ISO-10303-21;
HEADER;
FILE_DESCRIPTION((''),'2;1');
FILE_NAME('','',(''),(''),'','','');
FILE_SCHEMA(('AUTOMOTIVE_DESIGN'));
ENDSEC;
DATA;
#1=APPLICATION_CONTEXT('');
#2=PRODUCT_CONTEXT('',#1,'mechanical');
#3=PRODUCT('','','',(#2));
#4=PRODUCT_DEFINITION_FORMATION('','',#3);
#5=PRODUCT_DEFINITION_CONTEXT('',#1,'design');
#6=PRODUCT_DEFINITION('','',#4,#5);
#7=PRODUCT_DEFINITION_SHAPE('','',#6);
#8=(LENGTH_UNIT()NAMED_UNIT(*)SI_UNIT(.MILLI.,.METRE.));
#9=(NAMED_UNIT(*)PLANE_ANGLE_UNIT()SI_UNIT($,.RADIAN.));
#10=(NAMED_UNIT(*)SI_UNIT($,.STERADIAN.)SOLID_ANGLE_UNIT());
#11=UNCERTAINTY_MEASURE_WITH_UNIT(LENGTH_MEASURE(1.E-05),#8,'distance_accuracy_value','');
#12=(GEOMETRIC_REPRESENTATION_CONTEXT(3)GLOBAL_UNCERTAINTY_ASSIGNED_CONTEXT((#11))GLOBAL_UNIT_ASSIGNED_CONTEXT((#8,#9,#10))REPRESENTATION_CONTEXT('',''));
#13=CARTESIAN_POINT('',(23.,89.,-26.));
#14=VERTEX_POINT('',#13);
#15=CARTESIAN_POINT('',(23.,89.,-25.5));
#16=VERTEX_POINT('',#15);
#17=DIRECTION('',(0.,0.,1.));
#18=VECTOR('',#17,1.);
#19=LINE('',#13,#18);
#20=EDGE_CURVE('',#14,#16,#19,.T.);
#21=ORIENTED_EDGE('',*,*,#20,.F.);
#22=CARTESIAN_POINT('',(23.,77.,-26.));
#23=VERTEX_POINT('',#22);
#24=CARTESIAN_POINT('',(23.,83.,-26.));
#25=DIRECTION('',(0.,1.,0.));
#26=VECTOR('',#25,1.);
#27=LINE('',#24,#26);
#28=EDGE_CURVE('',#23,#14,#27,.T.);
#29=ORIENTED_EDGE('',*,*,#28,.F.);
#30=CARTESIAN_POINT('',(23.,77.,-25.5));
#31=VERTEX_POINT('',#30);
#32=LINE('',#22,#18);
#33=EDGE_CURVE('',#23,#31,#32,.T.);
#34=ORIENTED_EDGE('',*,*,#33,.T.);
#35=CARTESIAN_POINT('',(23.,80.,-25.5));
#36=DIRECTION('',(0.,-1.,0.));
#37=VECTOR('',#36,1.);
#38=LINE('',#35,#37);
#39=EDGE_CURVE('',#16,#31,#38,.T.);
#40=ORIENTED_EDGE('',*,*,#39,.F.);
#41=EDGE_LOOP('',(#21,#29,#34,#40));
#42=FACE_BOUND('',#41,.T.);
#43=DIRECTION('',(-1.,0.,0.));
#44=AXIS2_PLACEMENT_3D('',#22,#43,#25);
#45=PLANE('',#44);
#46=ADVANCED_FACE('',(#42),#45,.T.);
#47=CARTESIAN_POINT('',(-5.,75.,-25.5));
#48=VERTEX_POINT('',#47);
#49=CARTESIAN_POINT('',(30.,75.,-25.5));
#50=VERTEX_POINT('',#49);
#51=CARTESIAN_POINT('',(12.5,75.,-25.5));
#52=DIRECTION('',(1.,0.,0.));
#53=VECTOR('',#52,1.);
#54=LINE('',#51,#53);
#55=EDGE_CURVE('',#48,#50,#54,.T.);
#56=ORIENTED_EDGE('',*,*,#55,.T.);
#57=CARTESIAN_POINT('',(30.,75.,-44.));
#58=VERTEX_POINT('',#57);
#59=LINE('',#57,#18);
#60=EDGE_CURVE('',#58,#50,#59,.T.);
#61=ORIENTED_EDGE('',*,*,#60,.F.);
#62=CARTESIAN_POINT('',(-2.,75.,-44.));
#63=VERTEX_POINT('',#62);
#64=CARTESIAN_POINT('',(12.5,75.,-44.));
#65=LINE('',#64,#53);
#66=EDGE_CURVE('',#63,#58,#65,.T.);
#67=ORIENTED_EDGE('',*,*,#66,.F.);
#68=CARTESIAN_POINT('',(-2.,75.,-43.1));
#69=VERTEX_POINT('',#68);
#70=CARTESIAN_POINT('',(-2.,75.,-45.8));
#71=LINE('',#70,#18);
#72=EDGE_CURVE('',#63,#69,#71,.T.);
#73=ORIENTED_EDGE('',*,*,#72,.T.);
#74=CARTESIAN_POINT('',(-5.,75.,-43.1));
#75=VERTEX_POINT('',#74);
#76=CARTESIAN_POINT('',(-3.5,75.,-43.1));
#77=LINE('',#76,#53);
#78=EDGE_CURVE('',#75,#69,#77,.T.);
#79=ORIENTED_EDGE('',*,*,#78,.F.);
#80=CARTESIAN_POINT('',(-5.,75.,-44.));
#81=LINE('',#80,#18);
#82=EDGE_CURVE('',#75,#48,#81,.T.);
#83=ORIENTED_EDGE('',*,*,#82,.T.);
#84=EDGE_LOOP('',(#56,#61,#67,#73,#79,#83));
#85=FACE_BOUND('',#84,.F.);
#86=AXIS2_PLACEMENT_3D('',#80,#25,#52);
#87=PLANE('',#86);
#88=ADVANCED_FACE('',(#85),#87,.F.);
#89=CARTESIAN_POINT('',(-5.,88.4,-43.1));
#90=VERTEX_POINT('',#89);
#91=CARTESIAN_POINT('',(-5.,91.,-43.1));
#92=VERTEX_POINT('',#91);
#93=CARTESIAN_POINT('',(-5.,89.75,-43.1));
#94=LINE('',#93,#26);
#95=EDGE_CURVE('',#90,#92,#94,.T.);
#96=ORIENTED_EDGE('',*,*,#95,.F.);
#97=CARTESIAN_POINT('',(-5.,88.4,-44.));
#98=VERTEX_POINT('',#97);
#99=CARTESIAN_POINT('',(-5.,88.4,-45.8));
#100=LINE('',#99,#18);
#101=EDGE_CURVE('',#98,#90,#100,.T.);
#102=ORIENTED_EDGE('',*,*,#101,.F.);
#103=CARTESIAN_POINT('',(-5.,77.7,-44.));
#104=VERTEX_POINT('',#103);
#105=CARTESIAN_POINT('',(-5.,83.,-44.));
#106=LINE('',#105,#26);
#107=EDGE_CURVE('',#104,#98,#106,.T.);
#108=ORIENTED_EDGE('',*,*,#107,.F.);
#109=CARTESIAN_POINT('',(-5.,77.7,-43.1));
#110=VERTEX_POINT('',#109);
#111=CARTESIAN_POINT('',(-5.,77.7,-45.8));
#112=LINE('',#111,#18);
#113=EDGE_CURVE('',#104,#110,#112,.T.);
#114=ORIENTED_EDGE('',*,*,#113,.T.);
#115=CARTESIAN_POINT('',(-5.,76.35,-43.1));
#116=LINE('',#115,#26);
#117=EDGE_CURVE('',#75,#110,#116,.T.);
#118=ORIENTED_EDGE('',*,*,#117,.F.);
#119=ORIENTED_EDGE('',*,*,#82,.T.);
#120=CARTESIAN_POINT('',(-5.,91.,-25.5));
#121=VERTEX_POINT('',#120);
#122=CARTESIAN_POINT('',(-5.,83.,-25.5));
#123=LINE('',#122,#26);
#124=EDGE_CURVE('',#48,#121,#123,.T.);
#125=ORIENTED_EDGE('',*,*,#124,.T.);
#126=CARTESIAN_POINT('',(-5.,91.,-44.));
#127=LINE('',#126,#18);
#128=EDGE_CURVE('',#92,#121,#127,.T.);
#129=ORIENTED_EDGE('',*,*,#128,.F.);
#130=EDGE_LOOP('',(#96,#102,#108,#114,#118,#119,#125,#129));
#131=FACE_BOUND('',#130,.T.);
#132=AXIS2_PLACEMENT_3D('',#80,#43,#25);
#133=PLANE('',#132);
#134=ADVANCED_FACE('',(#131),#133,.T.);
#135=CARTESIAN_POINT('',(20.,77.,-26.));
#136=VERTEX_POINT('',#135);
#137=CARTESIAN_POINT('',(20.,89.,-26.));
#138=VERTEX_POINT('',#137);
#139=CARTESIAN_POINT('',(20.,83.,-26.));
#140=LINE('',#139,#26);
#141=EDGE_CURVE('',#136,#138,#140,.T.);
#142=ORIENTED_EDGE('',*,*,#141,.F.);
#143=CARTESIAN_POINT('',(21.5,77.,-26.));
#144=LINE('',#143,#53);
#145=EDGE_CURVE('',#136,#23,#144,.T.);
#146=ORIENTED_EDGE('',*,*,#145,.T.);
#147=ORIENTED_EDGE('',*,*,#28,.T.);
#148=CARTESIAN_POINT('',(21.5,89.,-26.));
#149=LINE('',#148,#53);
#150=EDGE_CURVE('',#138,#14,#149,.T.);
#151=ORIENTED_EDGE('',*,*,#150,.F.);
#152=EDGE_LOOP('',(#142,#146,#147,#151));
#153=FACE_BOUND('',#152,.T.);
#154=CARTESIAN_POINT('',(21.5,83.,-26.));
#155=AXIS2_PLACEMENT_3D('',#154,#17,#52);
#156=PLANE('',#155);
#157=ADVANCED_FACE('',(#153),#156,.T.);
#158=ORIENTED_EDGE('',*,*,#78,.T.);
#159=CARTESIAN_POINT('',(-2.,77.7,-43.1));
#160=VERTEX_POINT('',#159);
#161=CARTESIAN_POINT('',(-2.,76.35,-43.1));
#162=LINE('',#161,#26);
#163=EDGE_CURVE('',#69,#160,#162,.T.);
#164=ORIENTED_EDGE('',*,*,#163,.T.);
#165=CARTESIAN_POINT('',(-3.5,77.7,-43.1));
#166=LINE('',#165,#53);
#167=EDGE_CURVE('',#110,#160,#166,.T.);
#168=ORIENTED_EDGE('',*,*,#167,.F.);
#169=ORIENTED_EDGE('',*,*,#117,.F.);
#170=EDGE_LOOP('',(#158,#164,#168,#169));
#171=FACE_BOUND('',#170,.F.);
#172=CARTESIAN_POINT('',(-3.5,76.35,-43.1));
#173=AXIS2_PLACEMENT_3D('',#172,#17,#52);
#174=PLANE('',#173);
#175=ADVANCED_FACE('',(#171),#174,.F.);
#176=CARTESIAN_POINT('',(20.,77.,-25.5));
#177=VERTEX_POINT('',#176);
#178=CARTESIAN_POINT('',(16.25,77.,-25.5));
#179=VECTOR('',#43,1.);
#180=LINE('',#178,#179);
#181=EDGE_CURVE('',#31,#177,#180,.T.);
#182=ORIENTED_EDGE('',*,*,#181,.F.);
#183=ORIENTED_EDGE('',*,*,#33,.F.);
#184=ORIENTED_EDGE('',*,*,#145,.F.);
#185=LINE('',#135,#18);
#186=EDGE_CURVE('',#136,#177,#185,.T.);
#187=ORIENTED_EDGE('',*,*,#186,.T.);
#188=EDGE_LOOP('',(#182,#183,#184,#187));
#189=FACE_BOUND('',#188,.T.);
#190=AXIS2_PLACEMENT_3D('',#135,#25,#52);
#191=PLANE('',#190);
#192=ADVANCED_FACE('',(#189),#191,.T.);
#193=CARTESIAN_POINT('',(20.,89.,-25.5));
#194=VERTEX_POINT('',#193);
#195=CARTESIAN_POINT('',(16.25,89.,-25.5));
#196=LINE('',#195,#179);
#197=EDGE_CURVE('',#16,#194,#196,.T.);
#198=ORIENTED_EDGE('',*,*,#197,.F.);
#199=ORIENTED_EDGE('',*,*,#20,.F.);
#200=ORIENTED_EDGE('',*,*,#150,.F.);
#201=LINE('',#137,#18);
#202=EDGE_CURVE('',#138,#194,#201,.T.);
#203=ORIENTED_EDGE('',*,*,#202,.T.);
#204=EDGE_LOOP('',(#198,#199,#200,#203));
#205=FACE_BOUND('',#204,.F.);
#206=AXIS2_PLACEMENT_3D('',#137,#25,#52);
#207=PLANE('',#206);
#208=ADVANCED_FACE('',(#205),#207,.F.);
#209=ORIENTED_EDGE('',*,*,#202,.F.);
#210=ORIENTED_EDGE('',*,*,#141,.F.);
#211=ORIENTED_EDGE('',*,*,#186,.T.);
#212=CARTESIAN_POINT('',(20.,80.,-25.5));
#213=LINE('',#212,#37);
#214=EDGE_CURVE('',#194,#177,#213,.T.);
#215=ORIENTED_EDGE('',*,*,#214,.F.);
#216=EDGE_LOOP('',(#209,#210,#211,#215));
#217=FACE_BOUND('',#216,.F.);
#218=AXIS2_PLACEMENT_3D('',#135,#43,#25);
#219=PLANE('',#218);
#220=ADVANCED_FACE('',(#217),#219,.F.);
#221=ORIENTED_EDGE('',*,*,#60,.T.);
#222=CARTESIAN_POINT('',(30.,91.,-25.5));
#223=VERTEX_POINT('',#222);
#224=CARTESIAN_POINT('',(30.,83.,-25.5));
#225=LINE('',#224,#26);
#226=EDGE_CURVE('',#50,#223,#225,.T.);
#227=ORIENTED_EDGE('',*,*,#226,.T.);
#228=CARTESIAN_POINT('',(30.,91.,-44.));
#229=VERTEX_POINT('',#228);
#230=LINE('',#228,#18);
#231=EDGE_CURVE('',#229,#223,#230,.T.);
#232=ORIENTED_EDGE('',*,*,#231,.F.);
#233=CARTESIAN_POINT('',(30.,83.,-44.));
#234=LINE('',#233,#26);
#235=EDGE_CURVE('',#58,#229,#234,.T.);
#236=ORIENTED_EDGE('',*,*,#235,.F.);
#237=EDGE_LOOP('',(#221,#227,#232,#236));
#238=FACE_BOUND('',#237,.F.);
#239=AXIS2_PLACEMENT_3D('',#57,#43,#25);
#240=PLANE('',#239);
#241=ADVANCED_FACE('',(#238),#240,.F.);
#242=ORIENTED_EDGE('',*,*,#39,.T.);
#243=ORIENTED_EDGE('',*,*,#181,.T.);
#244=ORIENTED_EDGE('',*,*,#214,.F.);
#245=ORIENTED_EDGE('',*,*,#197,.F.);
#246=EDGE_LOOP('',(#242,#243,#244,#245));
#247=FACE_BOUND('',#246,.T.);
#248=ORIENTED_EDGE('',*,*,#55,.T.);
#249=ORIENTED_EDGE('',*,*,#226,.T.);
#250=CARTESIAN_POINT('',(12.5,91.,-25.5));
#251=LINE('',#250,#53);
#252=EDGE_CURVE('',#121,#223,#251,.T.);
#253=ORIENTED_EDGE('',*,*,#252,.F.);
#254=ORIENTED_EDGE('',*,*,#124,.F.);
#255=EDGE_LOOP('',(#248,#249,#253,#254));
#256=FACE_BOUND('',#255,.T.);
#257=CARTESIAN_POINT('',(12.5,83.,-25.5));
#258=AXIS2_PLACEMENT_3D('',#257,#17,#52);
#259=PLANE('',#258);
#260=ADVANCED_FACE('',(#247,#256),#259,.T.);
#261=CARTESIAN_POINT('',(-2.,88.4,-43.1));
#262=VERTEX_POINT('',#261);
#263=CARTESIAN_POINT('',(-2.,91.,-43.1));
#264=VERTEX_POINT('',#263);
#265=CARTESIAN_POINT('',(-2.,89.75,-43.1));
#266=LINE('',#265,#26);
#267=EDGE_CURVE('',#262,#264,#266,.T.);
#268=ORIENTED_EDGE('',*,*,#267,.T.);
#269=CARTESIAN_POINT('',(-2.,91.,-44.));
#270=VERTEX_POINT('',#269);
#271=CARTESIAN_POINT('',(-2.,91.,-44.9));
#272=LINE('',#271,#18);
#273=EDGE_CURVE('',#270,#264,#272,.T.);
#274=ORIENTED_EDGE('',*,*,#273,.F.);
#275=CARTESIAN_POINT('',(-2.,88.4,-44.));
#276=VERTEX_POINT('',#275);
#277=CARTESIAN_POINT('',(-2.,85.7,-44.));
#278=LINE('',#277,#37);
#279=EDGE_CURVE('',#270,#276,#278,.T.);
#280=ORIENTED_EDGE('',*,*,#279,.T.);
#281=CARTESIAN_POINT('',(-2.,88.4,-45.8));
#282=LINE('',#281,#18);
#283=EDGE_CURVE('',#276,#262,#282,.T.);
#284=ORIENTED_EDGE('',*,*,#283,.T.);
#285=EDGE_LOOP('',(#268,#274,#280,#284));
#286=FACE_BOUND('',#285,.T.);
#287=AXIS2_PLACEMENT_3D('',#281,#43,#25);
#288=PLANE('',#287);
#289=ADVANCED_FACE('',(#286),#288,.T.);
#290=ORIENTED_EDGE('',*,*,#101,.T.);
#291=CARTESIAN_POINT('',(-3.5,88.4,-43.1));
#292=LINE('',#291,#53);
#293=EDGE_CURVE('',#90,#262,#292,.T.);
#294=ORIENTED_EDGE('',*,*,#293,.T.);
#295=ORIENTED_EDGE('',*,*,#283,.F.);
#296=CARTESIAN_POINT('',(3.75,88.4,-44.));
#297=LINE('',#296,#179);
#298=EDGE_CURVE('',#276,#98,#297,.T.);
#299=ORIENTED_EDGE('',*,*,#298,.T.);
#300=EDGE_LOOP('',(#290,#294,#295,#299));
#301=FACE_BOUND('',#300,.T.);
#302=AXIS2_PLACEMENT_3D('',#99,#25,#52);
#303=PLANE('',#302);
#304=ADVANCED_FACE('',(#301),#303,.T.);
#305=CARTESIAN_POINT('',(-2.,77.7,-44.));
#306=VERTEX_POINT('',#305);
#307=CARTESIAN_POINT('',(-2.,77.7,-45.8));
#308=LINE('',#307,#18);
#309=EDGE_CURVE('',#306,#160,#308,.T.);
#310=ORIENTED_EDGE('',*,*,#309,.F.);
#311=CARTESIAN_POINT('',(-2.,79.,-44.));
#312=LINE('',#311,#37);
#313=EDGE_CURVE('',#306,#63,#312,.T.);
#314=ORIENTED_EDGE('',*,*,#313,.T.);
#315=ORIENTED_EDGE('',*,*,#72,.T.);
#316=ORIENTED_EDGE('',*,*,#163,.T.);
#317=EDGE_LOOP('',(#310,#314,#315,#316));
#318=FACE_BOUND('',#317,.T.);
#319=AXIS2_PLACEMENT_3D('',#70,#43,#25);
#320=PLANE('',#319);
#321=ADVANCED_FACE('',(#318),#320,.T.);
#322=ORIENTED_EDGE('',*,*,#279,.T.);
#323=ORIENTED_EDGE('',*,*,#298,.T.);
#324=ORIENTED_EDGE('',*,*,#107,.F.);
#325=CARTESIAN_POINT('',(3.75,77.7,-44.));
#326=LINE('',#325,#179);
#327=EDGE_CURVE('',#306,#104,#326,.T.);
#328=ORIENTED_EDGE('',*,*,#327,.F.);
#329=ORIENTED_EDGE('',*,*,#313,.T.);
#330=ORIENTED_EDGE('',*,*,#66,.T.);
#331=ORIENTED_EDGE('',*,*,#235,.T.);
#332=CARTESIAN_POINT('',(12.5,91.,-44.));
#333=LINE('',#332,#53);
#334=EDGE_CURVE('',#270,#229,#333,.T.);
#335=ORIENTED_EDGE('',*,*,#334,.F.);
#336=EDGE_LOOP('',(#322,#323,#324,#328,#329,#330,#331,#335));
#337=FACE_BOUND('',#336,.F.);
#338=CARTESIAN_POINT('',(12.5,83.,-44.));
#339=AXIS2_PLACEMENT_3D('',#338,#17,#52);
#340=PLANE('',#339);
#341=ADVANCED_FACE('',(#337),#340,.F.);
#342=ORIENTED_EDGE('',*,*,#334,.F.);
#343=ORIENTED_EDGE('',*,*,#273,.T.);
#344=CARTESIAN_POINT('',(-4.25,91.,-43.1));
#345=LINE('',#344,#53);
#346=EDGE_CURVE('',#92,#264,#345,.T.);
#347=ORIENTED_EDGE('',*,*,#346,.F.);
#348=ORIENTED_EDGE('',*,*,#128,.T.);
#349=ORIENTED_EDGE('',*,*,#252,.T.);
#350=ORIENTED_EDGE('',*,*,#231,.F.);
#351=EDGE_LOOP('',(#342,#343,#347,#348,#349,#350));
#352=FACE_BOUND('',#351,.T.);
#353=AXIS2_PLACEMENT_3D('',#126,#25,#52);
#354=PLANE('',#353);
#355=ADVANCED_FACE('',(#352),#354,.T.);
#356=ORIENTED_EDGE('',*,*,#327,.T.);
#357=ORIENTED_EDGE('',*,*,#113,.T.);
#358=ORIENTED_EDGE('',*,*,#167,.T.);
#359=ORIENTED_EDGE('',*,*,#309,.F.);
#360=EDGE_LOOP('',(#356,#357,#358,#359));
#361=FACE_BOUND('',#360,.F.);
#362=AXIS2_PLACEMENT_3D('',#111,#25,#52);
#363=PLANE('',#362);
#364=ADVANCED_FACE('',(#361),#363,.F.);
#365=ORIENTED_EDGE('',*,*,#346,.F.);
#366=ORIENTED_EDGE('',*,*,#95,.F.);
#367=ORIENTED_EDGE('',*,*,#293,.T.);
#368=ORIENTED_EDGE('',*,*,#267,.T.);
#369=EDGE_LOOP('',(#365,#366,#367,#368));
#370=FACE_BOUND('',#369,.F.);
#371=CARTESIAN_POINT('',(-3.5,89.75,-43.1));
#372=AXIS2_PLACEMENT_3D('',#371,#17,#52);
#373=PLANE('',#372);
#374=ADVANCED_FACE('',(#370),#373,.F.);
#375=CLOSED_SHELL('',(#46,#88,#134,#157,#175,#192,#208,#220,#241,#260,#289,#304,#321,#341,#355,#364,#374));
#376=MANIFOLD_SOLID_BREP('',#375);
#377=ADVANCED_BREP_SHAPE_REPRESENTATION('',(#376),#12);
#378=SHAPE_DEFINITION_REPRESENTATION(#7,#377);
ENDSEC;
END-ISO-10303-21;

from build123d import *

# Parameters (mm, degrees)
BOX005014_W     = 3
BOX005014_H     = 12
BOX005014_DEPTH = 2
BOX005012_W     = 3
BOX005012_H     = 2.7
BOX005012_DEPTH = 2.7
BOX005011_W     = 3
BOX005011_H     = 2.7
BOX005011_DEPTH = 2.7
BOX005009_W     = 35
BOX005009_H     = 16
BOX005009_DEPTH = 18.5


with BuildPart() as krychle013:
    # Box005014 → Box005014 (new body)
    with BuildSketch(Plane(origin=(20, 77, -26), x_dir=(1, 0, 0), z_dir=(0, 0, 1))):
        with Locations((1.5, 6)):
            Rectangle(BOX005014_W, BOX005014_H)
    extrude(amount=BOX005014_DEPTH)


with BuildPart() as krychle011:
    # Box005012 → Box005012 (new body)
    with BuildSketch(Plane(origin=(-5, 88.4, -45.8), x_dir=(1, 0, 0), z_dir=(0, 0, 1))):
        with Locations((1.5, 1.35)):
            Rectangle(BOX005012_W, BOX005012_H)
    extrude(amount=BOX005012_DEPTH)


with BuildPart() as krychle010:
    # Box005011 → Box005011 (new body)
    with BuildSketch(Plane(origin=(-5, 75, -45.8), x_dir=(1, 0, 0), z_dir=(0, 0, 1))):
        with Locations((1.5, 1.35)):
            Rectangle(BOX005011_W, BOX005011_H)
    extrude(amount=BOX005011_DEPTH)


with BuildPart() as pro_rj001:
    # Box005009 → Box005009 (new body)
    with BuildSketch(Plane(origin=(-5, 75, -44), x_dir=(1, 0, 0), z_dir=(0, 0, 1))):
        with Locations((17.5, 8)):
            Rectangle(BOX005009_W, BOX005009_H)
    extrude(amount=BOX005009_DEPTH)

    # Cut: cut Krychle010
    add(krychle010.part, mode=Mode.SUBTRACT)

    # Cut001: cut Krychle011
    add(krychle011.part, mode=Mode.SUBTRACT)

    # Cut002: cut Krychle013
    add(krychle013.part, mode=Mode.SUBTRACT)


solid = pro_rj001.part
